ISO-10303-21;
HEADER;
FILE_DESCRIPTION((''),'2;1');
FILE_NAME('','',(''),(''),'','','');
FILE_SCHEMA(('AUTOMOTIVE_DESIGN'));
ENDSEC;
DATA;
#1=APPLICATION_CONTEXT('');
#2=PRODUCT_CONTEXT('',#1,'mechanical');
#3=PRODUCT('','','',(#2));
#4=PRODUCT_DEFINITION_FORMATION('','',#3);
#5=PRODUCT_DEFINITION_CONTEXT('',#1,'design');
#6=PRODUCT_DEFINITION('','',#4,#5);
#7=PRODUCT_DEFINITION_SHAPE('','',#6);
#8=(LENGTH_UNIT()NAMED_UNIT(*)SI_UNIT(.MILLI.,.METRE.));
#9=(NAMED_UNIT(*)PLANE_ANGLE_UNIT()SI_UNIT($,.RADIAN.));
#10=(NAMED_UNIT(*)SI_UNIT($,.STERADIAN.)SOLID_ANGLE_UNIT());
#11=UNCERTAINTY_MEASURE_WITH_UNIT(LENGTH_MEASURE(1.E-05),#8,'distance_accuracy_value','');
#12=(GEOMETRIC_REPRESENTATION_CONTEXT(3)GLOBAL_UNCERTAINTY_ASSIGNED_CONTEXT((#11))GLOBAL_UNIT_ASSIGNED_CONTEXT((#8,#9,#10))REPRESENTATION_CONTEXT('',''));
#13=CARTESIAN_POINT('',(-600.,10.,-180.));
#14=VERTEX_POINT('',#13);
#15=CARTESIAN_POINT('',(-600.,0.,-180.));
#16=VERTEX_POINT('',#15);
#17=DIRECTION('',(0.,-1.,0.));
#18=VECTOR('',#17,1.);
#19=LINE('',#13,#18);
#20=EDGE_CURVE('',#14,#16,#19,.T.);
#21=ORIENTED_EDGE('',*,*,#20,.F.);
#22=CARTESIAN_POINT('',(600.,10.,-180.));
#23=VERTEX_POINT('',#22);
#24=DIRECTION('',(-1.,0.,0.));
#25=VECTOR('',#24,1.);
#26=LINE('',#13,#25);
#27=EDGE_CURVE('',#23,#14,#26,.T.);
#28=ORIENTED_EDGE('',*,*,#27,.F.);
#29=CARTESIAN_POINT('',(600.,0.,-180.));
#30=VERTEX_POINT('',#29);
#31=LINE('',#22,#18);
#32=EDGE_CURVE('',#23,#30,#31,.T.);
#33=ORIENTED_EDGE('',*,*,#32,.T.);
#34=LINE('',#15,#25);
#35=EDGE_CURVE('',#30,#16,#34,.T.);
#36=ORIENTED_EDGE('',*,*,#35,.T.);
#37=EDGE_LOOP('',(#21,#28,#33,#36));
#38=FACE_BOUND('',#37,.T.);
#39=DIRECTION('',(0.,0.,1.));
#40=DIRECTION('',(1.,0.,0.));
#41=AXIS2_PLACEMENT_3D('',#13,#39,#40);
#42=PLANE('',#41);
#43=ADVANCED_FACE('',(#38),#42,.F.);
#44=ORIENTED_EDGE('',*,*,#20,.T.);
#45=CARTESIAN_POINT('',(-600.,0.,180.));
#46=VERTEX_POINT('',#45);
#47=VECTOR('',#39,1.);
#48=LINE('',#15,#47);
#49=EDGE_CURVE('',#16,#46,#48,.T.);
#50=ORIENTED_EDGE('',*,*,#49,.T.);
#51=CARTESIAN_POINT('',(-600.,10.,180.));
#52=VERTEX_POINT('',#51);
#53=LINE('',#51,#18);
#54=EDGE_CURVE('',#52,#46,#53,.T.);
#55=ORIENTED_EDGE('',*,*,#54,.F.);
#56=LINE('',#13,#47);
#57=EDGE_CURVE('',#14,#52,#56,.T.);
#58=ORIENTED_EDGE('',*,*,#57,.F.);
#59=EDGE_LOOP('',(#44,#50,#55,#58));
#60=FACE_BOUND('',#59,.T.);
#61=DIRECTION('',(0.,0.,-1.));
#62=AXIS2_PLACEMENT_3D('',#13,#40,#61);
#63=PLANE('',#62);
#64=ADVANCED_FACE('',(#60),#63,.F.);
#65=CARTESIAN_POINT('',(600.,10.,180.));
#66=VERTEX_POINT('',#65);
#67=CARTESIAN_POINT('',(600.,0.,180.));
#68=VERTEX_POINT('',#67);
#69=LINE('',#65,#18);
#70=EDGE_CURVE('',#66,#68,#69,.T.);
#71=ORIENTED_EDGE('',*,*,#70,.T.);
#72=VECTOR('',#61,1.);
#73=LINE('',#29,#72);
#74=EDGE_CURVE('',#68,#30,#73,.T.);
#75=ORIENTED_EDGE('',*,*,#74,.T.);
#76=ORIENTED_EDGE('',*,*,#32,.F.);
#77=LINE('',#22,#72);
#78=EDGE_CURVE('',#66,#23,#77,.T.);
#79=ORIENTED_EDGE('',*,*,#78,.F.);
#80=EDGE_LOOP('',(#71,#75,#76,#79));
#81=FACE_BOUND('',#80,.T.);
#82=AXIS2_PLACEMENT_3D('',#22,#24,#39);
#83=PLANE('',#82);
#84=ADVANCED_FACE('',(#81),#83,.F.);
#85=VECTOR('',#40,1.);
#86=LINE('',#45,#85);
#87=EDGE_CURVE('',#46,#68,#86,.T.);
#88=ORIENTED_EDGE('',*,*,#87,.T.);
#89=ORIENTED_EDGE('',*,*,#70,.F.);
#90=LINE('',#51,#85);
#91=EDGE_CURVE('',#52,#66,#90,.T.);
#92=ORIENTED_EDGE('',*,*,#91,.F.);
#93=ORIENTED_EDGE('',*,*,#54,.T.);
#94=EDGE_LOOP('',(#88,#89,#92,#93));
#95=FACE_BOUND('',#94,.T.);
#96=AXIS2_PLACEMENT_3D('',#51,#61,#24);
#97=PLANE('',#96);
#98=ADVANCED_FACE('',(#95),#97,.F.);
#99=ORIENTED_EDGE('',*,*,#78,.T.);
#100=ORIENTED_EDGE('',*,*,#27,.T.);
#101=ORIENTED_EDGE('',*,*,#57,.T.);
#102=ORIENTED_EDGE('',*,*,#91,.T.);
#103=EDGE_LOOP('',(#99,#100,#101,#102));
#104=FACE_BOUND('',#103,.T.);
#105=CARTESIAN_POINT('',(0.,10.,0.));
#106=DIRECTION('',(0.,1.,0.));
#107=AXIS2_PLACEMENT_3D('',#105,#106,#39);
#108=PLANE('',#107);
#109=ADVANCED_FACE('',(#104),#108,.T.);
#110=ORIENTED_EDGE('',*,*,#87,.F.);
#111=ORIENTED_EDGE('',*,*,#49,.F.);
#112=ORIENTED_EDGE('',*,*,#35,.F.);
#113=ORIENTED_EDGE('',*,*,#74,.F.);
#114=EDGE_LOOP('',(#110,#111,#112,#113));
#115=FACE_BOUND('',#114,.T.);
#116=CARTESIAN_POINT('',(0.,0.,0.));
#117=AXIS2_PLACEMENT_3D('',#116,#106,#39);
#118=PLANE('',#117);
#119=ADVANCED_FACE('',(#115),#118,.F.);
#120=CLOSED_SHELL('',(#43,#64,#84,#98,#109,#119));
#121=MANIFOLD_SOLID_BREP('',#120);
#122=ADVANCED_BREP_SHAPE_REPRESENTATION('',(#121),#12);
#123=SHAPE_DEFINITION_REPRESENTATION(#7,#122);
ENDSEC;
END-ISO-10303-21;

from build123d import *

# Parameters (mm, degrees)
SKETCH_1_W      = 1200
SKETCH_1_H      = 360
EXTRUDE_1_DEPTH = 10


with BuildPart() as part:
    # Эскиз1 → Бобышка-Вытянуть1 (new body)
    with BuildSketch(Plane(origin=(0, 0, 0), x_dir=(1, 0, 0), z_dir=(0, 1, 0))):
        Rectangle(SKETCH_1_W, SKETCH_1_H)
    extrude(amount=EXTRUDE_1_DEPTH)


solid = part.part
